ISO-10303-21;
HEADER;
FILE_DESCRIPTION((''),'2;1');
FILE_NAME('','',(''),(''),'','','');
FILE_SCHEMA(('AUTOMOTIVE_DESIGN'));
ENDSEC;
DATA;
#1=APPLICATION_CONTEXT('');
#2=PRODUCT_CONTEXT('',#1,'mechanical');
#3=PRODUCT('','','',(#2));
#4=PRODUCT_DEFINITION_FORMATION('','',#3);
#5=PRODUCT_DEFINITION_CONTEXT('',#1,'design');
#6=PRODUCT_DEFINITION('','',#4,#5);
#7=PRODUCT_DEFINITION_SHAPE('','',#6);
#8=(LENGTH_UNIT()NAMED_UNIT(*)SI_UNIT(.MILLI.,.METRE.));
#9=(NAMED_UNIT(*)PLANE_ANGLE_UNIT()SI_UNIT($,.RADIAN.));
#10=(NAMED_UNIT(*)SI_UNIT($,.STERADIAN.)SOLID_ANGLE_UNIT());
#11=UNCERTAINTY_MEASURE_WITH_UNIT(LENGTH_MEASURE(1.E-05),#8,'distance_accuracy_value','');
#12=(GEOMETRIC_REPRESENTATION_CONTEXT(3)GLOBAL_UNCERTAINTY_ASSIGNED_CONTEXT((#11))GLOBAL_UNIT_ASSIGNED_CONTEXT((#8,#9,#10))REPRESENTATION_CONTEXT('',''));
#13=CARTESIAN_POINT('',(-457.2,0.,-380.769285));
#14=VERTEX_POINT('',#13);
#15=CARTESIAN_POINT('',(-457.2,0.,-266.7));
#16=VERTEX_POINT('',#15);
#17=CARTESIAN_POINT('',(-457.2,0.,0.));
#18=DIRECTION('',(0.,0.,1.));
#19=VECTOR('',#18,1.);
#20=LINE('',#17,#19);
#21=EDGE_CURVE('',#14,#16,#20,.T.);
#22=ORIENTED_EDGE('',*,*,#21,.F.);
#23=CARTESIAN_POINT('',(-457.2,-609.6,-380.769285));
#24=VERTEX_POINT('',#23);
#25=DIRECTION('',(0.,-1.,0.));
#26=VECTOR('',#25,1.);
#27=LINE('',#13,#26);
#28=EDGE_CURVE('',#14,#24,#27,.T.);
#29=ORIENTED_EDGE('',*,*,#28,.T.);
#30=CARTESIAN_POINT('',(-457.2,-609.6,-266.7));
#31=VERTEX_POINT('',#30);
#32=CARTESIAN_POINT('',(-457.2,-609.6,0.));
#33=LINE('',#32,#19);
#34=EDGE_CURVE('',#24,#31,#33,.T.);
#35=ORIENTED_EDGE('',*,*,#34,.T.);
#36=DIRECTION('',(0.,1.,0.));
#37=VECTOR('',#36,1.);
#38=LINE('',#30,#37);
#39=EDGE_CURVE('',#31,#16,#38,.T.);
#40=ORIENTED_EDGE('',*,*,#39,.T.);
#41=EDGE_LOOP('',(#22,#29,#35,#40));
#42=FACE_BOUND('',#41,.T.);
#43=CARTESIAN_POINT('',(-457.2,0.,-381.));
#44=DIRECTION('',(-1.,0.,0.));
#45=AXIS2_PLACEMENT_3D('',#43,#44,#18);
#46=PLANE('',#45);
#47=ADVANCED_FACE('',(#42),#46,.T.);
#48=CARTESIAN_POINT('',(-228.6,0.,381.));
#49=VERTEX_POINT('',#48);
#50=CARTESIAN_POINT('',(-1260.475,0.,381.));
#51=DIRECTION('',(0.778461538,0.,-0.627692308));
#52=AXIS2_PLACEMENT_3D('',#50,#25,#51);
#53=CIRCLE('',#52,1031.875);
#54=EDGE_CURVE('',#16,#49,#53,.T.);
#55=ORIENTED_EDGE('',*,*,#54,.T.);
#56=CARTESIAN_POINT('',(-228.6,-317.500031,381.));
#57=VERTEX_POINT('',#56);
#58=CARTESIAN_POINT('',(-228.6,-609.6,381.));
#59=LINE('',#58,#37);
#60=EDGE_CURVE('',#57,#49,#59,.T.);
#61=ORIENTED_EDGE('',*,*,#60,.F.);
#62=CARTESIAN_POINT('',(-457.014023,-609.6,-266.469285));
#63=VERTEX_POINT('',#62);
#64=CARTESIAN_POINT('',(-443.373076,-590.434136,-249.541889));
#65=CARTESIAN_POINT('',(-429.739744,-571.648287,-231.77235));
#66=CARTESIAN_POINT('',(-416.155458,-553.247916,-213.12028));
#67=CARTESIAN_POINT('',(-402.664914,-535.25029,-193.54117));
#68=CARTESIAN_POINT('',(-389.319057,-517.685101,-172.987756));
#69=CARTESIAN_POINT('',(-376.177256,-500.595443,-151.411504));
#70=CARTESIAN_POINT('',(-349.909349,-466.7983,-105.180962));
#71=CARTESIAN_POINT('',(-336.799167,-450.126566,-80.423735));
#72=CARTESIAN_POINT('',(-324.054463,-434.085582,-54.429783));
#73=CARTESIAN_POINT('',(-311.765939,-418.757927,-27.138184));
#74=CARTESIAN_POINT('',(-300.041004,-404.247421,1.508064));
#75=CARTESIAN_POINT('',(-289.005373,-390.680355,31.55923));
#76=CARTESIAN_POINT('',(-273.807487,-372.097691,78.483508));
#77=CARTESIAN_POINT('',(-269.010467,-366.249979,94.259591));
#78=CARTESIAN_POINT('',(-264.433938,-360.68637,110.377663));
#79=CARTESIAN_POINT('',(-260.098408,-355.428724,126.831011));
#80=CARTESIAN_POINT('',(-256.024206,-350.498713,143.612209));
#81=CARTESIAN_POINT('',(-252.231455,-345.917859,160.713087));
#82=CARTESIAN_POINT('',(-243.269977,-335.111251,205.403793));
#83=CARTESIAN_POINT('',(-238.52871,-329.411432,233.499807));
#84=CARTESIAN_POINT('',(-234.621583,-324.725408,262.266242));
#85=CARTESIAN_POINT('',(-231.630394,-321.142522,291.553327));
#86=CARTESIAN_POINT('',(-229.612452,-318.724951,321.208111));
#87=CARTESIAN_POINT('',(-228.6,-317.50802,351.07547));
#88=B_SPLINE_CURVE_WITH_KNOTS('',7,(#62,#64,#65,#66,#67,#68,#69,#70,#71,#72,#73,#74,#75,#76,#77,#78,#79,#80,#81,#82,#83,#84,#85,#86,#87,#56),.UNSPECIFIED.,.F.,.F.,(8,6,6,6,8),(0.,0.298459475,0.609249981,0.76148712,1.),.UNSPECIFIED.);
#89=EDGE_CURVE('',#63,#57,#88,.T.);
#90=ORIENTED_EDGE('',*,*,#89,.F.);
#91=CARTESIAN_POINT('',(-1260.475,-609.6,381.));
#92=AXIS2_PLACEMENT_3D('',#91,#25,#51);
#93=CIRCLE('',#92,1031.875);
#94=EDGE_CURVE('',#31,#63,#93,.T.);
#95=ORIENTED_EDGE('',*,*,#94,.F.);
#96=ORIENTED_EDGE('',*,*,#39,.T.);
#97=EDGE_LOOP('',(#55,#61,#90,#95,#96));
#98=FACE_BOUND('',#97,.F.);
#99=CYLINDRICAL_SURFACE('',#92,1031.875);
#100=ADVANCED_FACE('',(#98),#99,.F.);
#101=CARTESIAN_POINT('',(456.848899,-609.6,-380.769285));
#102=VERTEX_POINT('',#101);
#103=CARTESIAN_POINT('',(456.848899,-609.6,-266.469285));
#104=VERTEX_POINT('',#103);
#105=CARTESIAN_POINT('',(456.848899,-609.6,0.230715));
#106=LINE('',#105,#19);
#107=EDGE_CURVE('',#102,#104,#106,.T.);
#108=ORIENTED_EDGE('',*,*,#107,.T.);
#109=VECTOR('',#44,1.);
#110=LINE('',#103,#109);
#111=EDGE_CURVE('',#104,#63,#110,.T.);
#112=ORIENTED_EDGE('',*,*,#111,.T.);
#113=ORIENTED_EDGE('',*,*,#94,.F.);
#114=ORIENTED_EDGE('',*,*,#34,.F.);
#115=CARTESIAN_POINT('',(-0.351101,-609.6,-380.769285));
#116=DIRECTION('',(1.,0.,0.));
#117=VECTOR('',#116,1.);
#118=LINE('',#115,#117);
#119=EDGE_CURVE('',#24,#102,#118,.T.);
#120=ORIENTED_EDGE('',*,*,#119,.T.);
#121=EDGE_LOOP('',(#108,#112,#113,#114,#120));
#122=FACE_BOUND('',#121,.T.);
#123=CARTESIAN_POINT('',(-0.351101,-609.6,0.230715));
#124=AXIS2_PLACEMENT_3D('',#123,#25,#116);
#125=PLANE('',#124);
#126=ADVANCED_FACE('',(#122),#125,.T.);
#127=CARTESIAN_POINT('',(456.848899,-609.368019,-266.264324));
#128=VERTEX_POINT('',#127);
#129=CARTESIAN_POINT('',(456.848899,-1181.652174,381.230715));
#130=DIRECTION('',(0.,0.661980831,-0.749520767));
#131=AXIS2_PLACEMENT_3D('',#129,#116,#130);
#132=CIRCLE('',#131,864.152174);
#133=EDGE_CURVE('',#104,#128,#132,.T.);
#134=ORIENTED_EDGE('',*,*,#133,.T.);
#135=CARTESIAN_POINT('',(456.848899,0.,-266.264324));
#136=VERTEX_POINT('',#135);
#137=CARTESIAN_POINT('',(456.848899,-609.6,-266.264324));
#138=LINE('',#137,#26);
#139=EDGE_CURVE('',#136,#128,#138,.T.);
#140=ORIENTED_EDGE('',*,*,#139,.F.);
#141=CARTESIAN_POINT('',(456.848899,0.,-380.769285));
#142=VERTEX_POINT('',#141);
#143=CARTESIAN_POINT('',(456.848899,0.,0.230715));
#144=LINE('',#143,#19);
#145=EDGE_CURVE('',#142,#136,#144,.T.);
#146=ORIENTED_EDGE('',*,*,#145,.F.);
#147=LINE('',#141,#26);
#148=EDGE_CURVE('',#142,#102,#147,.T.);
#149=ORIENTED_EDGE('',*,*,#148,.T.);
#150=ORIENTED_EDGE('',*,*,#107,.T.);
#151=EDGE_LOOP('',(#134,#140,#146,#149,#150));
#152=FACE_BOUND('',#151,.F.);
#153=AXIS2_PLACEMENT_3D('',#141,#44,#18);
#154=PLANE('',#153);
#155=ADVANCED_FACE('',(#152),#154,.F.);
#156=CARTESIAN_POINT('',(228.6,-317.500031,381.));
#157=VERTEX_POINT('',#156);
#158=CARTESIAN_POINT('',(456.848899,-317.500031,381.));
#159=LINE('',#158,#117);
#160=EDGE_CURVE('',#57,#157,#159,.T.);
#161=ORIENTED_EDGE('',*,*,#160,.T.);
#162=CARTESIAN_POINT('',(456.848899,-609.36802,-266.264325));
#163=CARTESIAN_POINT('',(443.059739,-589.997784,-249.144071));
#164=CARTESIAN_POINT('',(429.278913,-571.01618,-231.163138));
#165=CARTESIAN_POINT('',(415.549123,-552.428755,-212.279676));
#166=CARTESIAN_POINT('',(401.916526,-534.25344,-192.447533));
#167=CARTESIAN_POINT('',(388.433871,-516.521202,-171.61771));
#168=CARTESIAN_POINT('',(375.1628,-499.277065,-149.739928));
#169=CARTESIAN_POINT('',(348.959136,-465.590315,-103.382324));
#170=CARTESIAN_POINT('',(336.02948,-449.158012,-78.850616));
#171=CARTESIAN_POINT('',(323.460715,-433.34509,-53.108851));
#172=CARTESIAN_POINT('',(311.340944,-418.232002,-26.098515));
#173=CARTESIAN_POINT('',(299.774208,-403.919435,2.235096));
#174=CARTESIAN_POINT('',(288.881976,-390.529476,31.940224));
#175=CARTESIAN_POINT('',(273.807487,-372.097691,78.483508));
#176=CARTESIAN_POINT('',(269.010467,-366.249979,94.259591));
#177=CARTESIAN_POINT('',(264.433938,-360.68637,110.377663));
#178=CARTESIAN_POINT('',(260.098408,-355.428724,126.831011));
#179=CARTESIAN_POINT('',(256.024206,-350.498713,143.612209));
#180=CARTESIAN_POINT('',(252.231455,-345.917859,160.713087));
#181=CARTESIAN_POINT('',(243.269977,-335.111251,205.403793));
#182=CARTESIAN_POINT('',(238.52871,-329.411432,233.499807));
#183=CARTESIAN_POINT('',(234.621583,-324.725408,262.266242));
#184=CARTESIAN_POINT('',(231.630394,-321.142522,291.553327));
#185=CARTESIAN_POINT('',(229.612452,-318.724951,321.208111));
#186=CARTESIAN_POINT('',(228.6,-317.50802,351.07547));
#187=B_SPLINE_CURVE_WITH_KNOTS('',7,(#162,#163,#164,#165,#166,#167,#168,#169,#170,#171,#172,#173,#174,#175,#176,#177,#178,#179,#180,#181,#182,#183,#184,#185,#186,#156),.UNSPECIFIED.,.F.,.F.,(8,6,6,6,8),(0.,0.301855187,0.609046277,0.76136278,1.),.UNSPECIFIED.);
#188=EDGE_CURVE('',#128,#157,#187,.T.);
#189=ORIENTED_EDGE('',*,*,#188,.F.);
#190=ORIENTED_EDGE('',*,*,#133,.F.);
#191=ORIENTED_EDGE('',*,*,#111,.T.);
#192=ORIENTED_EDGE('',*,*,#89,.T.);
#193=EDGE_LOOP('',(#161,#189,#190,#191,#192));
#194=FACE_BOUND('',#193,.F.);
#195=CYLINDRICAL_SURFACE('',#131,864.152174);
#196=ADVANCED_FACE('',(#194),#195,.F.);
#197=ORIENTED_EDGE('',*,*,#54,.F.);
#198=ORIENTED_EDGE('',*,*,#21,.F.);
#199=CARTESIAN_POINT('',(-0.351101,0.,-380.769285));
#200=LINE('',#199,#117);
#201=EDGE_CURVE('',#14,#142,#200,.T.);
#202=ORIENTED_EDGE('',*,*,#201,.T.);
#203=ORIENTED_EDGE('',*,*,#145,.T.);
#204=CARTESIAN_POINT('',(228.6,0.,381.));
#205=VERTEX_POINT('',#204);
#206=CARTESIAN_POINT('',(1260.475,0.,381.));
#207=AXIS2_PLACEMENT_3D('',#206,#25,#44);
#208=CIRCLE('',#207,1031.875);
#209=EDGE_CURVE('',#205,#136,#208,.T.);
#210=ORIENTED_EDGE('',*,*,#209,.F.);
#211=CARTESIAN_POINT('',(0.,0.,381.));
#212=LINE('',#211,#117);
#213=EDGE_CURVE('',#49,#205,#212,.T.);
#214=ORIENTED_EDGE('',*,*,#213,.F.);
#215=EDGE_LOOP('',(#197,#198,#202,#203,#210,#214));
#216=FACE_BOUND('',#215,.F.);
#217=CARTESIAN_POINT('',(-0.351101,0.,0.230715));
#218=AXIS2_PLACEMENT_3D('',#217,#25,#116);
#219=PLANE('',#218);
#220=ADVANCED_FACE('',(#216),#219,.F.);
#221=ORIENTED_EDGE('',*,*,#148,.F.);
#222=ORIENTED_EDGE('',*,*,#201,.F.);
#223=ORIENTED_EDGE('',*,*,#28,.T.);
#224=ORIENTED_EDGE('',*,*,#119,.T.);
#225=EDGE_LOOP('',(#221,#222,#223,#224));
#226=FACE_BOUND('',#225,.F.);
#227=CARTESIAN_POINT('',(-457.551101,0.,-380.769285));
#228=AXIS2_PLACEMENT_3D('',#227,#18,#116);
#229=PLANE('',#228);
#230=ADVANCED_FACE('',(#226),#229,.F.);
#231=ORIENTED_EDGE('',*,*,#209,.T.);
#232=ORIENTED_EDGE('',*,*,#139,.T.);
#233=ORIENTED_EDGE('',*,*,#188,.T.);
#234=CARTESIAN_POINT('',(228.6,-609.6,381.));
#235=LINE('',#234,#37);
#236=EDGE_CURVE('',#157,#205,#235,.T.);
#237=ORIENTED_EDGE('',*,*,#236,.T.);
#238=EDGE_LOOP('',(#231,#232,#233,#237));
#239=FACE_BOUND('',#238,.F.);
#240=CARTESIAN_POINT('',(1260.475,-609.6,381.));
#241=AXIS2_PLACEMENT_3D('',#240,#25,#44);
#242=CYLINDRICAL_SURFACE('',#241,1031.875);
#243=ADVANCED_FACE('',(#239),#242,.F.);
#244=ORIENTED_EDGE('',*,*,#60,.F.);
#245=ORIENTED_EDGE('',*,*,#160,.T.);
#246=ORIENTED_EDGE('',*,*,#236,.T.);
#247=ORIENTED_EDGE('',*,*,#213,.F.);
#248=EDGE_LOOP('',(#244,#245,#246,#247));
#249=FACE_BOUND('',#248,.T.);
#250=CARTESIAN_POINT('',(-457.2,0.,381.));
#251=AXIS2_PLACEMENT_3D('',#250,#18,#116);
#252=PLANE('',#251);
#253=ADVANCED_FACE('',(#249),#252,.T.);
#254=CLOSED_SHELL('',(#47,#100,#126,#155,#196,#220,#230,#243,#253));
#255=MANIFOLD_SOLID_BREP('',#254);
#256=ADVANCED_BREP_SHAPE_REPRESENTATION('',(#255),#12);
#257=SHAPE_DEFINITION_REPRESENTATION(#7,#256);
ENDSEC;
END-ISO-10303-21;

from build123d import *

# Parameters (mm, degrees)
F0_W     = 914.4
F0_H     = 762
F1_DEPTH = 609.6
F3_W     = 914.4
F3_H     = 762
F4_DEPTH = 609.6
F6_DEPTH = 2057.04989884
F8_DEPTH = 609.601


with BuildPart() as f1:
    # F0 (on Front) → F1 (new body)
    with BuildSketch(Plane.XZ):
        with Locations((-0.35110116, 123.4715153943)):
            Rectangle(F0_W, F0_H)
    extrude(amount=F1_DEPTH)


with BuildPart() as f1_1:
    # F2: moved
    add(f1.part.moved(Location((1143, 0, 0))))

    # F5 (on face) → F6 (cut, through all)
    with BuildSketch(Plane.YZ.offset(1599.84889884)):
        with BuildLine():
            Line((-609.6, 504.4715153943), (-609.6, -143.2284846057))
            ThreePointArc((-609.6, -143.2284846057), (-393.902496237, 149.2118568345), (-317.5, 504.4715153943))
            Line((-317.5, 504.4715153943), (-609.6, 504.4715153943))
        make_face()
    extrude(amount=-F6_DEPTH, mode=Mode.SUBTRACT)


with BuildPart() as f4:
    # F3 (on Front) → F4 (new body)
    with BuildSketch(Plane.XZ):
        Rectangle(F3_W, F3_H)
    extrude(amount=F4_DEPTH)

    # F7 (on face) → F8 (cut, through all)
    with BuildSketch(Plane.XZ.offset(609.6)):
        with BuildLine():
            Line((-457.2, 381), (-457.2, -266.7))
            ThreePointArc((-457.2, -266.7), (-287.4268495342, 37.5712410121), (-228.6, 381))
            Line((-228.6, 381), (-457.2, 381))
        make_face()
        with BuildLine():
            Line((457.2, 381), (228.6, 381))
            ThreePointArc((228.6, 381), (287.4268495342, 37.5712410121), (457.2, -266.7))
            Line((457.2, -266.7), (457.2, 381))
        make_face()
    extrude(amount=-F8_DEPTH, mode=Mode.SUBTRACT)


with BuildPart() as f1_2:
    # F9: moved
    add(f1_1.part.moved(Location((-1143, 0, -123.2408))))

    # F10: intersect F4
    add(f4.part, mode=Mode.INTERSECT)


solid = f1_2.part
